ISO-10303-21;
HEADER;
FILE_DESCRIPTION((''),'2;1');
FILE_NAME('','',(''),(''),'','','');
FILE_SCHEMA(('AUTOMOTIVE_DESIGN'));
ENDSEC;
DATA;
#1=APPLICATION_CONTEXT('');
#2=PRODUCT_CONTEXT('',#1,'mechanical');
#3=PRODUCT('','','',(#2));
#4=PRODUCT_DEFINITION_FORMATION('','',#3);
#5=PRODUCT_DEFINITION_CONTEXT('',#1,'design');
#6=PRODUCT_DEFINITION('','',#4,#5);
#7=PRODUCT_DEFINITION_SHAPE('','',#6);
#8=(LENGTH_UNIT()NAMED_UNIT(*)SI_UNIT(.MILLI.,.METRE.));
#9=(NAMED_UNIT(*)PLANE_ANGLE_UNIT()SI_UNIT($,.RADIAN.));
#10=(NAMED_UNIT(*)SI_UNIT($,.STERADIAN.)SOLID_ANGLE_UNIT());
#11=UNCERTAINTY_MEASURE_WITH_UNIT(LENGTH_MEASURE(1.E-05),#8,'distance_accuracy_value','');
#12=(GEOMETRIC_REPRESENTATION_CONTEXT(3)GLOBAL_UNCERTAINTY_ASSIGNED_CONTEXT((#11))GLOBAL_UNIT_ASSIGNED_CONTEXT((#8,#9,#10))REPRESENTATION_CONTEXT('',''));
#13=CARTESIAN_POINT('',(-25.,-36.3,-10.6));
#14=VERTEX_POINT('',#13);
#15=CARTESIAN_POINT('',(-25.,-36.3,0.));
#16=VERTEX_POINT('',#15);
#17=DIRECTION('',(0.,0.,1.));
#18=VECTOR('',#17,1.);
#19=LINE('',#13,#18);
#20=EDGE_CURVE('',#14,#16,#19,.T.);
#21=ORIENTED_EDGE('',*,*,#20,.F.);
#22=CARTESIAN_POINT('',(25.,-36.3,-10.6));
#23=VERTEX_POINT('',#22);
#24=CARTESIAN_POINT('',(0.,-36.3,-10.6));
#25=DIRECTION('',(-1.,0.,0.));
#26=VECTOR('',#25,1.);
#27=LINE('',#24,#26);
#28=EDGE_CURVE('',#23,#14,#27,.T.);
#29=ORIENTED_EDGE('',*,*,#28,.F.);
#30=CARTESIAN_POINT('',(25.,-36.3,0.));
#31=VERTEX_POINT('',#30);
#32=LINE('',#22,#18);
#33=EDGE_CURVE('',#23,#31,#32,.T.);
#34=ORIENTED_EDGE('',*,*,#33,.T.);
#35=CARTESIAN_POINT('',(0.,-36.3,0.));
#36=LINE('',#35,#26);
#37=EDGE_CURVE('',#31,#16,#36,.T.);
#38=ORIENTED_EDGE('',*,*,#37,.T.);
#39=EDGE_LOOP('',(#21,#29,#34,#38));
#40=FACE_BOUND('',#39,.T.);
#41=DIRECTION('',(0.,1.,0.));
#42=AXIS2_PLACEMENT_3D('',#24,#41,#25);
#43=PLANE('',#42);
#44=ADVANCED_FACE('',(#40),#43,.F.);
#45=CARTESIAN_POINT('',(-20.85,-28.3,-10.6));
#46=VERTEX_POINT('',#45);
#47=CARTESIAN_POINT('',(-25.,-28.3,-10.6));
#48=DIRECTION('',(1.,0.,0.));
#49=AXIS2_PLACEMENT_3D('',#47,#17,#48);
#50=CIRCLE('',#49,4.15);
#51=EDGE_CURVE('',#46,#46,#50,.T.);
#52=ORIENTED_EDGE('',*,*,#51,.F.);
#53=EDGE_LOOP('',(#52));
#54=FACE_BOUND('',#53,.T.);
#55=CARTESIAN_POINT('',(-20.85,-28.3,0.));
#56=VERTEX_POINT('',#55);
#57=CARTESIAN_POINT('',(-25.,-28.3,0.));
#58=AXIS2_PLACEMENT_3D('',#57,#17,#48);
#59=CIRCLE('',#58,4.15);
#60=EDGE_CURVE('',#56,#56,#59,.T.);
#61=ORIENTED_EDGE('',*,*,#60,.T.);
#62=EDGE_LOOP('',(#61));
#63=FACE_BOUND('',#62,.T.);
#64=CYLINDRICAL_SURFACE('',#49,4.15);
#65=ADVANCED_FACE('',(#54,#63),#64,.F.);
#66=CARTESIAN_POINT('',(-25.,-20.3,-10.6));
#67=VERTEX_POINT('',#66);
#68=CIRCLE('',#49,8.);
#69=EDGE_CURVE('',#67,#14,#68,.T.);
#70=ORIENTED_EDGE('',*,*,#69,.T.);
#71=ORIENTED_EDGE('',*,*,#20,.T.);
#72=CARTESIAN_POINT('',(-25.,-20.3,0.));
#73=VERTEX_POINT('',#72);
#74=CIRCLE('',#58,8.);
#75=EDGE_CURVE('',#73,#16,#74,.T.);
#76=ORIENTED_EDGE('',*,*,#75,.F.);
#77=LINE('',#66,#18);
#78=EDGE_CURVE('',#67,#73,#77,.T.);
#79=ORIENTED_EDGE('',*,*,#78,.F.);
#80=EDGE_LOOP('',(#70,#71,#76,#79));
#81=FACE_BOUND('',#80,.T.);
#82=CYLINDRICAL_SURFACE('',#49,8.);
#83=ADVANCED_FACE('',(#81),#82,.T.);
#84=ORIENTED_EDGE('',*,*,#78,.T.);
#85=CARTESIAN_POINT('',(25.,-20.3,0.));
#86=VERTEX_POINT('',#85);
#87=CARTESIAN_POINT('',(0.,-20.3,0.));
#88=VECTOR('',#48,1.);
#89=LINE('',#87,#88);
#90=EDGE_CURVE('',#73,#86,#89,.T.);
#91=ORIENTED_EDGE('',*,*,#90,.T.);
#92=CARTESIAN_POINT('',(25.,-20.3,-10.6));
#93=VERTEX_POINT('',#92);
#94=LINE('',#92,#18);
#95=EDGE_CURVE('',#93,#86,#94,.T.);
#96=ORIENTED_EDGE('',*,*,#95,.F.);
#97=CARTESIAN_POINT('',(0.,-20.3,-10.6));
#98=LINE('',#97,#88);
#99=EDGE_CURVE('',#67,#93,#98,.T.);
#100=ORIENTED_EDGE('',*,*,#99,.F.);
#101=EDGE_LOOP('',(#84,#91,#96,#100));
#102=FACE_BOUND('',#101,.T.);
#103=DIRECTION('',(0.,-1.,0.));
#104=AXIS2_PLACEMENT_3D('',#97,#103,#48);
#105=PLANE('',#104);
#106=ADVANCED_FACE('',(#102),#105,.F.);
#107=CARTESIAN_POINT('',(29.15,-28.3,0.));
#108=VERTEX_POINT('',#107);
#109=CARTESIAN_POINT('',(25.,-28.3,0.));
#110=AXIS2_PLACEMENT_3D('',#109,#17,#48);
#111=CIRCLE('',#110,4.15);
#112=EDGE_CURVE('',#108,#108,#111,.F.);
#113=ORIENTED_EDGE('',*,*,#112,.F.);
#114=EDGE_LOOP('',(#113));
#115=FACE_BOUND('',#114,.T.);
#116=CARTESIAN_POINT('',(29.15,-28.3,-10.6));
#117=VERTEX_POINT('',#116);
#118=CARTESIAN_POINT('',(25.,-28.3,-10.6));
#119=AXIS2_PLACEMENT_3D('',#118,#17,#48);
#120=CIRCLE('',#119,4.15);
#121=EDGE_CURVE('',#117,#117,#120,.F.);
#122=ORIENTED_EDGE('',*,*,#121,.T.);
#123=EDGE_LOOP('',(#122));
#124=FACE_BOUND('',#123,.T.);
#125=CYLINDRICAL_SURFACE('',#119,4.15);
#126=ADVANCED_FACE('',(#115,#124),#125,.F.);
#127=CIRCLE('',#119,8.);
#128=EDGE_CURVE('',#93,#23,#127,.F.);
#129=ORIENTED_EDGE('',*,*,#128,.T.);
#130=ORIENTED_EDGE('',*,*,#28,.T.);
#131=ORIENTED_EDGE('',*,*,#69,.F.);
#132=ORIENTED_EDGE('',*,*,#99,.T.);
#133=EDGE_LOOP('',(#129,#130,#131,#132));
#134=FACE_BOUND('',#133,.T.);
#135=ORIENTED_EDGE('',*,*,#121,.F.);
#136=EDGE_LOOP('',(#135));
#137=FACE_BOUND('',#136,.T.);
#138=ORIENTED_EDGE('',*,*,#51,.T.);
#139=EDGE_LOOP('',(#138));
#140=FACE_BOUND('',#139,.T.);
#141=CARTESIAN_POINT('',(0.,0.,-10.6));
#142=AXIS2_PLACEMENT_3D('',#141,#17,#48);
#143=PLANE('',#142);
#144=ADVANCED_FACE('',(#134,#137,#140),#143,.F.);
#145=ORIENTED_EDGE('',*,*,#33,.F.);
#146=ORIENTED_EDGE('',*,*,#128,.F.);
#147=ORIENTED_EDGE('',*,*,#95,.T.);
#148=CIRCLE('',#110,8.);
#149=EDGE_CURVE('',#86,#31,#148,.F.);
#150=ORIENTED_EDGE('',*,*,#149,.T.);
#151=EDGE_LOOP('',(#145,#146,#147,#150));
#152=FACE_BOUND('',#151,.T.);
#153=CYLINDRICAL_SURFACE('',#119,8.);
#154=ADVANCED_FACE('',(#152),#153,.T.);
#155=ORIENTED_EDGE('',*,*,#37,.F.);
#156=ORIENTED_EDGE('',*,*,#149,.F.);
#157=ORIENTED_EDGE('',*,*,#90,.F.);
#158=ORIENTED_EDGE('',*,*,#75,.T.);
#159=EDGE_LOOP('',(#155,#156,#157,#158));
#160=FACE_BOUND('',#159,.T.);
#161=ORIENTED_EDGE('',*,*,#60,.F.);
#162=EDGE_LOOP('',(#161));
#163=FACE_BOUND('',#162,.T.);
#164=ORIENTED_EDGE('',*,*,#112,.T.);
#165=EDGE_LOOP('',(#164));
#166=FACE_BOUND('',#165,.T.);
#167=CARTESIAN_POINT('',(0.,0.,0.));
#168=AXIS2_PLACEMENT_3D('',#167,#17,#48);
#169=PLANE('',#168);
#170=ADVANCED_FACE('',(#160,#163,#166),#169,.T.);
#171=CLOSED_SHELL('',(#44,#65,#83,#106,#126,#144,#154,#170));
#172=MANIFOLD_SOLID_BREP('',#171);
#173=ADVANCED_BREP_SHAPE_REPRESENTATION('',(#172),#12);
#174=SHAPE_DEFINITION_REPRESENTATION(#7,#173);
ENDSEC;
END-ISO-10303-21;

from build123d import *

# Parameters (mm, degrees)
SKETCH1_R           = 4.15
BOSS_EXTRUDE2_DEPTH = 10.6


with BuildPart() as part:
    # Sketch1 → Boss-Extrude2 (new body)
    with BuildSketch(Plane.XY):
        with BuildLine():
            Line((-25, -36.3), (25, -36.3))
            ThreePointArc((25, -36.3), (32.292866569, -31.588479467), (30.995610492, -23.003524301))
            ThreePointArc((30.995610492, -23.003524301), (28.288479467, -21.007133431), (25, -20.3))
            Line((25, -20.3), (-25, -20.3))
            ThreePointArc((-25, -20.3), (-28.288479467, -21.007133431), (-30.995610492, -23.003524301))
            ThreePointArc((-30.995610492, -23.003524301), (-32.292866569, -31.588479467), (-25, -36.3))
        make_face()
        with Locations((-25, -28.3)):
            Circle(SKETCH1_R, mode=Mode.SUBTRACT)
        with Locations((25, -28.3)):
            Circle(SKETCH1_R, mode=Mode.SUBTRACT)
    extrude(amount=-BOSS_EXTRUDE2_DEPTH)


solid = part.part
